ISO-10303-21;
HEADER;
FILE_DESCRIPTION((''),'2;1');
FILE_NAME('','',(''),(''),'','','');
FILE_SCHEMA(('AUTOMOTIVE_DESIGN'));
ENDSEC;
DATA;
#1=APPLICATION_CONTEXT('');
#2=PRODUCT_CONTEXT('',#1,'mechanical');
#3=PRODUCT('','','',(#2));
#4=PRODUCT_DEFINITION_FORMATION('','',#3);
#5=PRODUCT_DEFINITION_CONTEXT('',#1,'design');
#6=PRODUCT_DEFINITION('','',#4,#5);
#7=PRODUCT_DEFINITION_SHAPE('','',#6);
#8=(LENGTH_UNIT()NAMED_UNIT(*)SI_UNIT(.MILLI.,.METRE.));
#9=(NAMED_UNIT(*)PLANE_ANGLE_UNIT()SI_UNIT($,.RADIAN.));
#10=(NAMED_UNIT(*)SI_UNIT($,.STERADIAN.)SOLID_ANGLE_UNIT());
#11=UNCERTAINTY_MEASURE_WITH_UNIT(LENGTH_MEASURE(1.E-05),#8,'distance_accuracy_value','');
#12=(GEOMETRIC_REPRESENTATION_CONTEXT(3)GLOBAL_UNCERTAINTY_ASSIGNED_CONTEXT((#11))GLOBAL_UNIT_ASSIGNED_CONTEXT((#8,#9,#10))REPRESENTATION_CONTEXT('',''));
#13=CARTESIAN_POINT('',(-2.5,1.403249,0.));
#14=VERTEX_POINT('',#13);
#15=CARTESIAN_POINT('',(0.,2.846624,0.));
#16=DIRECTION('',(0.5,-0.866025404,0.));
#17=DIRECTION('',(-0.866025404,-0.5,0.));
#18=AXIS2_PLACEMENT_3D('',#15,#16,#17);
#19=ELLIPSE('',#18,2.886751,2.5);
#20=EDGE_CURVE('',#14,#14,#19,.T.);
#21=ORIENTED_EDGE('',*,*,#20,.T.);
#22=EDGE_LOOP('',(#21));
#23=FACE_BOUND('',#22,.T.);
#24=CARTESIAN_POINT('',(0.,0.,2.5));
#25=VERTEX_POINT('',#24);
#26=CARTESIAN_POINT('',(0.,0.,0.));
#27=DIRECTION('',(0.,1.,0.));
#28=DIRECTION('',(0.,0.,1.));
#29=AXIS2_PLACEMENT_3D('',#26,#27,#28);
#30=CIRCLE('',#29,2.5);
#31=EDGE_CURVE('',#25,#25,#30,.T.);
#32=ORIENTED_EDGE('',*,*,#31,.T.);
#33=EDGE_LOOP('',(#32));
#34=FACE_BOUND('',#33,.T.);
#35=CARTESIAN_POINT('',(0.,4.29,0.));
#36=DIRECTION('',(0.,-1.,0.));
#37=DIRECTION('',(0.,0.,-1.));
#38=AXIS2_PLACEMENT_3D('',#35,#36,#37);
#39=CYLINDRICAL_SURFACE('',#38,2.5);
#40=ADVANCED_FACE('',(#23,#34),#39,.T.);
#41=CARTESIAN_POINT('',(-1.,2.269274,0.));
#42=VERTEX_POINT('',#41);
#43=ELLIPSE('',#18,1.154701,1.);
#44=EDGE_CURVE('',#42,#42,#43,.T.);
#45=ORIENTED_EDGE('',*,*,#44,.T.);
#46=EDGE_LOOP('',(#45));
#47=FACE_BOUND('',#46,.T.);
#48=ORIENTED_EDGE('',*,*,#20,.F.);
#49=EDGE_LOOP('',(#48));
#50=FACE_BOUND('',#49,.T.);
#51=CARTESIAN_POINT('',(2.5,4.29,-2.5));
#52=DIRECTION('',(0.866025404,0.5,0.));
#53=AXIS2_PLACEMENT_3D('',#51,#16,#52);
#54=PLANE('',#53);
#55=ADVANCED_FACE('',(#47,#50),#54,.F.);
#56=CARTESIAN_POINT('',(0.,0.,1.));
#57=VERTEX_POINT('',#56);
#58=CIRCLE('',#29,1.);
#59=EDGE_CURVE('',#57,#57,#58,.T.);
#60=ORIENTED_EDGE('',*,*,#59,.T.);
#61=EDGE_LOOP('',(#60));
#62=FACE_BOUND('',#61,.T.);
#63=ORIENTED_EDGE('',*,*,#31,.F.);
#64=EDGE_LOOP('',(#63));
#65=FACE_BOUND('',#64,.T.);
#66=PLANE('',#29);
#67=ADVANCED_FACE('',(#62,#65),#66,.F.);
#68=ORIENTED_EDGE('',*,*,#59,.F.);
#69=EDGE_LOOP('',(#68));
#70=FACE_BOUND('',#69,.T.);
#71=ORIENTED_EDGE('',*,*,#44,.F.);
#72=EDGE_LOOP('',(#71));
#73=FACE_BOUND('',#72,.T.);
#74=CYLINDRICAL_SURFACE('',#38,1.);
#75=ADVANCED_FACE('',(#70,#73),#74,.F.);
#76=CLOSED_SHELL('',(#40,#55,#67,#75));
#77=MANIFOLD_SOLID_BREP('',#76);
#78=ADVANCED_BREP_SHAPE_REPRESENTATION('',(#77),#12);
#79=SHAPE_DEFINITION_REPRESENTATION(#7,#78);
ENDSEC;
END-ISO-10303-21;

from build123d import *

# Parameters (mm, degrees)
SKETCH_1_R               = 2.5
SKETCH_1_R_2             = 1
EXTRUDE_1_DEPTH          = 4.29
CUT_EXTRUDE_1_DEPTH      = 6.559145618
CUT_EXTRUDE_1_DEPTH_BACK = 6.559145618


with BuildPart() as part:
    # 草图1 → 凸台-拉伸1 (new body)
    with BuildSketch(Plane(origin=(0, 0, 0), x_dir=(1, 0, 0), z_dir=(0, 1, 0))):
        with Locations(Location((0, 0, 0), (0, 0, 270))):
            Circle(SKETCH_1_R)
        with Locations(Location((0, 0, 0), (0, 0, 270))):
            Circle(SKETCH_1_R_2, mode=Mode.SUBTRACT)
    extrude(amount=EXTRUDE_1_DEPTH)

    # 草图2 → 切除-拉伸1 (cut, two sides: drawn at the far end of the back side and taken through both)
    with BuildSketch(Plane.XY.offset(-CUT_EXTRUDE_1_DEPTH_BACK)):
        Polygon((2.5, 4.29), (-2.5, 1.403248654), (-2.5, 4.29), align=None)
    extrude(amount=CUT_EXTRUDE_1_DEPTH + CUT_EXTRUDE_1_DEPTH_BACK, mode=Mode.SUBTRACT)


solid = part.part
